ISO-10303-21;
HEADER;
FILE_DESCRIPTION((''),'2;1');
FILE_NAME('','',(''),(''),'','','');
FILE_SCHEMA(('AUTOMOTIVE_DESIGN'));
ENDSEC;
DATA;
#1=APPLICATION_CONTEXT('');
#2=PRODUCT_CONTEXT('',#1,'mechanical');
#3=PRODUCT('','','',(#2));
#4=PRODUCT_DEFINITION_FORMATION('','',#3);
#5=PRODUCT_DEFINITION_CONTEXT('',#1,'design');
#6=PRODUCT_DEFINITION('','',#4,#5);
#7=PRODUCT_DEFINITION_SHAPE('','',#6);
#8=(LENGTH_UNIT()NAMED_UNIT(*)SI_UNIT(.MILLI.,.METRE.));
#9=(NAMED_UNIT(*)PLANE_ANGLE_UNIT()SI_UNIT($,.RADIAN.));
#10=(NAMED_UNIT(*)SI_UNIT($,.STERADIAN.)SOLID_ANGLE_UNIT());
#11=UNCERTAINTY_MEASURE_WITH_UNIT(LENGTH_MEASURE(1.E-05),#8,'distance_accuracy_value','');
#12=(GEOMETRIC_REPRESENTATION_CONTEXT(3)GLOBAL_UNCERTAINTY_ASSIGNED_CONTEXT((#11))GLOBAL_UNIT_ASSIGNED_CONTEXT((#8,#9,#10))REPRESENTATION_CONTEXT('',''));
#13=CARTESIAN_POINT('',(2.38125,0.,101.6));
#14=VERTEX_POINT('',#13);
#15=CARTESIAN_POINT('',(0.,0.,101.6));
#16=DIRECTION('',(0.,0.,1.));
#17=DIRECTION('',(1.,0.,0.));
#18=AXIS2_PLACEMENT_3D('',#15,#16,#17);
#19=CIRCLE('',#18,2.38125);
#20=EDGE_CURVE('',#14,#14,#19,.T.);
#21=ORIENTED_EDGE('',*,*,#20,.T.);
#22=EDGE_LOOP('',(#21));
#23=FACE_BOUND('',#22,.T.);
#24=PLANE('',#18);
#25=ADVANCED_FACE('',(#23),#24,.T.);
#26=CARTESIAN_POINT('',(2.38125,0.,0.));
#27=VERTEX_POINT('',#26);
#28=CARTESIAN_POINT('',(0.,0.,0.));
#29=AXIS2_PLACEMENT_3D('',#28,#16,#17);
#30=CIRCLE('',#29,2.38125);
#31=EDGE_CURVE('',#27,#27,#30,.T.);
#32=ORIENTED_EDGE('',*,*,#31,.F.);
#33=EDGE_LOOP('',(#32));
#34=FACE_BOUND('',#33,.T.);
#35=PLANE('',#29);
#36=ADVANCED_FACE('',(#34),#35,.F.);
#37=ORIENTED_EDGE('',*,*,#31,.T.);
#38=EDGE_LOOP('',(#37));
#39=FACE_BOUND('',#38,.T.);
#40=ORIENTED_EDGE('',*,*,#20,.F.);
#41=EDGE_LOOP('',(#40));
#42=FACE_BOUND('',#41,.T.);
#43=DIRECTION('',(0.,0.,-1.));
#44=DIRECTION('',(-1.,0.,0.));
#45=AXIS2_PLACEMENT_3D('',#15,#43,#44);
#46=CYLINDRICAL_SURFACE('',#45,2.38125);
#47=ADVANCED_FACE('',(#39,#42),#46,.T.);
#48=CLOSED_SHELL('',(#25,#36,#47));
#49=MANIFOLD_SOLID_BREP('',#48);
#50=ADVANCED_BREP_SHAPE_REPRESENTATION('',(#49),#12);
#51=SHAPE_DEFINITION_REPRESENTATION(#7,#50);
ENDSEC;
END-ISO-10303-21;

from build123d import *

# Parameters (mm, degrees)
SKETCH1_R           = 2.38125
BOSS_EXTRUDE1_DEPTH = 101.6


with BuildPart() as part:
    # Sketch1 → Boss-Extrude1 (new body)
    with BuildSketch(Plane.XY):
        Circle(SKETCH1_R)
    extrude(amount=BOSS_EXTRUDE1_DEPTH)


solid = part.part
